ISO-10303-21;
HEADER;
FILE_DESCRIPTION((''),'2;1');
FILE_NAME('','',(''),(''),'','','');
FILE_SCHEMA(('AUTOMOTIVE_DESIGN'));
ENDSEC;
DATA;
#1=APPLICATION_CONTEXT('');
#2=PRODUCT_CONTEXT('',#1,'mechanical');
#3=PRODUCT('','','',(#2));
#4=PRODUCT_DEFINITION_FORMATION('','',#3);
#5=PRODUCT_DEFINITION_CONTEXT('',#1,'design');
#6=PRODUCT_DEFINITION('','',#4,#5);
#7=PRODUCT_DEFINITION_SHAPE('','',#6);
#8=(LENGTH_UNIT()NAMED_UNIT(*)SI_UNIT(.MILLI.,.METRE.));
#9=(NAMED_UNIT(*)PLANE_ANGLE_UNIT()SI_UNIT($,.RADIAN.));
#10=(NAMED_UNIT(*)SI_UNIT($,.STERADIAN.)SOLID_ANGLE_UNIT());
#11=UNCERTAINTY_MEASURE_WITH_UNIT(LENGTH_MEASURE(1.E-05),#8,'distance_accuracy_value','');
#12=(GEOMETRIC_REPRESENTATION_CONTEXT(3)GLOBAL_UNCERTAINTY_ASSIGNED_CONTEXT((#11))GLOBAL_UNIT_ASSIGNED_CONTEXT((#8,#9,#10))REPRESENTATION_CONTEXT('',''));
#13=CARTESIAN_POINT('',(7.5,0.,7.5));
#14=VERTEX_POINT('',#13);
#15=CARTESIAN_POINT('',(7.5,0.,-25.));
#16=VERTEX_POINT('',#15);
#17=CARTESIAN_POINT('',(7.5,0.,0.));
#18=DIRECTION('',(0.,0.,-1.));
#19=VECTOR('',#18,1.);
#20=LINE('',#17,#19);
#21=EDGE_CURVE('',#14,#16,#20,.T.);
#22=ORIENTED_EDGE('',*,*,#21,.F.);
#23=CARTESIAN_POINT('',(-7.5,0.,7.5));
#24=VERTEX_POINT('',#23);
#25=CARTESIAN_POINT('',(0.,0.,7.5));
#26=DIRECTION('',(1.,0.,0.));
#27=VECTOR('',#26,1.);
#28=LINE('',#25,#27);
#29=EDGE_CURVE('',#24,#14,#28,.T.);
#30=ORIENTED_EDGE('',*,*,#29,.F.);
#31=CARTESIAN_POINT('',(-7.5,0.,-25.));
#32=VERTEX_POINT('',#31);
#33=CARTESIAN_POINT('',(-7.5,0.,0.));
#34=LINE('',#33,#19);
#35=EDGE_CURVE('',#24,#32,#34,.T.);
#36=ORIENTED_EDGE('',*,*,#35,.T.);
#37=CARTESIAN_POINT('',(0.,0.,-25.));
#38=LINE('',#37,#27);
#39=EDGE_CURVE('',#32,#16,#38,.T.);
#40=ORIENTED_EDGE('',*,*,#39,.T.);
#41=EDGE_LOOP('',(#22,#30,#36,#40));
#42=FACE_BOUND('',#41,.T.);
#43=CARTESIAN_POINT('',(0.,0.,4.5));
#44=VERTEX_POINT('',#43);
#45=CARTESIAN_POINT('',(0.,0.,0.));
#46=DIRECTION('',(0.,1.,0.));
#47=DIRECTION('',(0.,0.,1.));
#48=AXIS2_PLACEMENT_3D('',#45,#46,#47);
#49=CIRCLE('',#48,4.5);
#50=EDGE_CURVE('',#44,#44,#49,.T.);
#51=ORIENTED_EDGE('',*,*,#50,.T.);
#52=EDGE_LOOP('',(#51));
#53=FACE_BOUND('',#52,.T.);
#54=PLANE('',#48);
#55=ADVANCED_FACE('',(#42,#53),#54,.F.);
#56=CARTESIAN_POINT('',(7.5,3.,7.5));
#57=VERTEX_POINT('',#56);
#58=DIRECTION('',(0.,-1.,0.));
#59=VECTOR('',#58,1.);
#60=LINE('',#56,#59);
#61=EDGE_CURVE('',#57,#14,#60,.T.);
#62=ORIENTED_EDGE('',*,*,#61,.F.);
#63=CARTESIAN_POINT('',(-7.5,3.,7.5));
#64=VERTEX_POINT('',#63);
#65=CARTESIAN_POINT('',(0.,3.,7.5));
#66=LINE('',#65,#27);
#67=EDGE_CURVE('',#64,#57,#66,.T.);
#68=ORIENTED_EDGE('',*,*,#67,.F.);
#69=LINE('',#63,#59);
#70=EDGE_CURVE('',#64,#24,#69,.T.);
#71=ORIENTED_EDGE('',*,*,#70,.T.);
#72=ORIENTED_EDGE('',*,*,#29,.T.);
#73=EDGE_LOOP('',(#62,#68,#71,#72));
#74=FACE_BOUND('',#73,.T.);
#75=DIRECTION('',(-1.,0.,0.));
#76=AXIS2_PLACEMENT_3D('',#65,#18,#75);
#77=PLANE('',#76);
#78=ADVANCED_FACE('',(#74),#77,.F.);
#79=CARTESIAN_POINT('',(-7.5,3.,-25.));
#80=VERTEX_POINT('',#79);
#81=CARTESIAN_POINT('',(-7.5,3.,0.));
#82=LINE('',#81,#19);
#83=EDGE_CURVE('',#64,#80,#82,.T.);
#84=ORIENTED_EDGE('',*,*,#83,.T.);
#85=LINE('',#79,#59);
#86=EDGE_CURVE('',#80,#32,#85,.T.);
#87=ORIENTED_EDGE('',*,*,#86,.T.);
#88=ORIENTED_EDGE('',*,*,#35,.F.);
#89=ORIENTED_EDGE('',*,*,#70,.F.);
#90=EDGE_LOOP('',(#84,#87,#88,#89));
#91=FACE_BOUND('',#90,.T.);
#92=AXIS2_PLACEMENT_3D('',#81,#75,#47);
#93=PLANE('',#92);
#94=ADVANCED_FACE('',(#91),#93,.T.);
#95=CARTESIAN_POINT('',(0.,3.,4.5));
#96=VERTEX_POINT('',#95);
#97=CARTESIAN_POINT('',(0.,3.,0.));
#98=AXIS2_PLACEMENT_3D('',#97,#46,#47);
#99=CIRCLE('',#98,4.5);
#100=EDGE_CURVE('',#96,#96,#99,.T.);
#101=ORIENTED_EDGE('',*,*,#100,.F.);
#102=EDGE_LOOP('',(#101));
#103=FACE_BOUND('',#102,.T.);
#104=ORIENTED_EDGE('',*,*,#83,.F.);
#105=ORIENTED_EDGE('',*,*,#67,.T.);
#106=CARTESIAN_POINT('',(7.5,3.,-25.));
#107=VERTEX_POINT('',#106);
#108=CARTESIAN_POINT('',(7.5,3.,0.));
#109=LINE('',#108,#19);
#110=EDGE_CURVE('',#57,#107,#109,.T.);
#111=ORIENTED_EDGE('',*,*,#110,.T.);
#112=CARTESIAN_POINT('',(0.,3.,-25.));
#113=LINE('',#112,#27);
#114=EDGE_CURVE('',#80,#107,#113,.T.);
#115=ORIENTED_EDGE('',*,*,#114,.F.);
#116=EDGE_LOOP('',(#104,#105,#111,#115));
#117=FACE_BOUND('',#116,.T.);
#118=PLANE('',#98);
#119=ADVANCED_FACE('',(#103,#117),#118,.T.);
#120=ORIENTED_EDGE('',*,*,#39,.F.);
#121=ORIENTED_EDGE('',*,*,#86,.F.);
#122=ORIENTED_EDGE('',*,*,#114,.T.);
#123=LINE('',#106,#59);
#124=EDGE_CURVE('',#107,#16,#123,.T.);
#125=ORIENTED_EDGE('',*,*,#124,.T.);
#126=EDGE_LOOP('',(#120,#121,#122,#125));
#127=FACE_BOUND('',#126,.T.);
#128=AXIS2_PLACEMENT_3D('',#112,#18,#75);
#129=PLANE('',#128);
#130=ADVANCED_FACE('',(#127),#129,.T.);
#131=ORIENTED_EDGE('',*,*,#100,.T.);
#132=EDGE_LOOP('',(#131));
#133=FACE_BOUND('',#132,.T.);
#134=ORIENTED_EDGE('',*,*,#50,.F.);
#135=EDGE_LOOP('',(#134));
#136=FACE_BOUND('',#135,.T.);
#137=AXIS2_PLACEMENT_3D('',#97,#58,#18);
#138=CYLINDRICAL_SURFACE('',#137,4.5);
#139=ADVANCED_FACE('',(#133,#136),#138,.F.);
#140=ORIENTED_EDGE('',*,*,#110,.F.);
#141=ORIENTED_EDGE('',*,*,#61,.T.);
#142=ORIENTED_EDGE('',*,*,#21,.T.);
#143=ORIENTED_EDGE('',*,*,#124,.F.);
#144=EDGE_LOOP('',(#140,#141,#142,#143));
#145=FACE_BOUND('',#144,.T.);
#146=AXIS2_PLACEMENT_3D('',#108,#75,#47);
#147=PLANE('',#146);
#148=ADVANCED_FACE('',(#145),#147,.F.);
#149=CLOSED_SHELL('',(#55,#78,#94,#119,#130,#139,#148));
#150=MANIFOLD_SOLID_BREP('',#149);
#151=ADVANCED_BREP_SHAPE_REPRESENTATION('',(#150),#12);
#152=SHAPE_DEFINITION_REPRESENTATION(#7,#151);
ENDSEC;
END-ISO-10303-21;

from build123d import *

# Parameters (mm, degrees)
SKETCH_1_W      = 7.5
SKETCH_1_H      = 17.5
EXTRUDE_2_DEPTH = 3


with BuildPart() as part:
    # 草图1 → 凸台-拉伸2 (new body)
    # profile 1 of 3: a face of its own
    with BuildSketch(Plane(origin=(0, 0, 0), x_dir=(1, 0, 0), z_dir=(0, 1, 0))):
        Polygon((7.5, 7.5), (0, 7.5), (-7.5, 7.5), (-7.5, -7.5), (7.5, -7.5), align=None)
        with BuildLine():
            ThreePointArc((4.5, 0), (-3.181980515, -3.181980515), (0, 4.5))
            ThreePointArc((0, 4.5), (3.181980515, 3.181980515), (4.5, 0))
        make_face(mode=Mode.SUBTRACT)
    # profile 2 of 3: a face of its own
    with BuildSketch(Plane(origin=(0, 0, 0), x_dir=(1, 0, 0), z_dir=(0, 1, 0))):
        with Locations((-3.75, 16.25)):
            Rectangle(SKETCH_1_W, SKETCH_1_H)
    # profile 3 of 3: a face of its own
    with BuildSketch(Plane(origin=(0, 0, 0), x_dir=(1, 0, 0), z_dir=(0, 1, 0))):
        with Locations((3.75, 16.25)):
            Rectangle(SKETCH_1_W, SKETCH_1_H)
    extrude(amount=EXTRUDE_2_DEPTH)


solid = part.part
